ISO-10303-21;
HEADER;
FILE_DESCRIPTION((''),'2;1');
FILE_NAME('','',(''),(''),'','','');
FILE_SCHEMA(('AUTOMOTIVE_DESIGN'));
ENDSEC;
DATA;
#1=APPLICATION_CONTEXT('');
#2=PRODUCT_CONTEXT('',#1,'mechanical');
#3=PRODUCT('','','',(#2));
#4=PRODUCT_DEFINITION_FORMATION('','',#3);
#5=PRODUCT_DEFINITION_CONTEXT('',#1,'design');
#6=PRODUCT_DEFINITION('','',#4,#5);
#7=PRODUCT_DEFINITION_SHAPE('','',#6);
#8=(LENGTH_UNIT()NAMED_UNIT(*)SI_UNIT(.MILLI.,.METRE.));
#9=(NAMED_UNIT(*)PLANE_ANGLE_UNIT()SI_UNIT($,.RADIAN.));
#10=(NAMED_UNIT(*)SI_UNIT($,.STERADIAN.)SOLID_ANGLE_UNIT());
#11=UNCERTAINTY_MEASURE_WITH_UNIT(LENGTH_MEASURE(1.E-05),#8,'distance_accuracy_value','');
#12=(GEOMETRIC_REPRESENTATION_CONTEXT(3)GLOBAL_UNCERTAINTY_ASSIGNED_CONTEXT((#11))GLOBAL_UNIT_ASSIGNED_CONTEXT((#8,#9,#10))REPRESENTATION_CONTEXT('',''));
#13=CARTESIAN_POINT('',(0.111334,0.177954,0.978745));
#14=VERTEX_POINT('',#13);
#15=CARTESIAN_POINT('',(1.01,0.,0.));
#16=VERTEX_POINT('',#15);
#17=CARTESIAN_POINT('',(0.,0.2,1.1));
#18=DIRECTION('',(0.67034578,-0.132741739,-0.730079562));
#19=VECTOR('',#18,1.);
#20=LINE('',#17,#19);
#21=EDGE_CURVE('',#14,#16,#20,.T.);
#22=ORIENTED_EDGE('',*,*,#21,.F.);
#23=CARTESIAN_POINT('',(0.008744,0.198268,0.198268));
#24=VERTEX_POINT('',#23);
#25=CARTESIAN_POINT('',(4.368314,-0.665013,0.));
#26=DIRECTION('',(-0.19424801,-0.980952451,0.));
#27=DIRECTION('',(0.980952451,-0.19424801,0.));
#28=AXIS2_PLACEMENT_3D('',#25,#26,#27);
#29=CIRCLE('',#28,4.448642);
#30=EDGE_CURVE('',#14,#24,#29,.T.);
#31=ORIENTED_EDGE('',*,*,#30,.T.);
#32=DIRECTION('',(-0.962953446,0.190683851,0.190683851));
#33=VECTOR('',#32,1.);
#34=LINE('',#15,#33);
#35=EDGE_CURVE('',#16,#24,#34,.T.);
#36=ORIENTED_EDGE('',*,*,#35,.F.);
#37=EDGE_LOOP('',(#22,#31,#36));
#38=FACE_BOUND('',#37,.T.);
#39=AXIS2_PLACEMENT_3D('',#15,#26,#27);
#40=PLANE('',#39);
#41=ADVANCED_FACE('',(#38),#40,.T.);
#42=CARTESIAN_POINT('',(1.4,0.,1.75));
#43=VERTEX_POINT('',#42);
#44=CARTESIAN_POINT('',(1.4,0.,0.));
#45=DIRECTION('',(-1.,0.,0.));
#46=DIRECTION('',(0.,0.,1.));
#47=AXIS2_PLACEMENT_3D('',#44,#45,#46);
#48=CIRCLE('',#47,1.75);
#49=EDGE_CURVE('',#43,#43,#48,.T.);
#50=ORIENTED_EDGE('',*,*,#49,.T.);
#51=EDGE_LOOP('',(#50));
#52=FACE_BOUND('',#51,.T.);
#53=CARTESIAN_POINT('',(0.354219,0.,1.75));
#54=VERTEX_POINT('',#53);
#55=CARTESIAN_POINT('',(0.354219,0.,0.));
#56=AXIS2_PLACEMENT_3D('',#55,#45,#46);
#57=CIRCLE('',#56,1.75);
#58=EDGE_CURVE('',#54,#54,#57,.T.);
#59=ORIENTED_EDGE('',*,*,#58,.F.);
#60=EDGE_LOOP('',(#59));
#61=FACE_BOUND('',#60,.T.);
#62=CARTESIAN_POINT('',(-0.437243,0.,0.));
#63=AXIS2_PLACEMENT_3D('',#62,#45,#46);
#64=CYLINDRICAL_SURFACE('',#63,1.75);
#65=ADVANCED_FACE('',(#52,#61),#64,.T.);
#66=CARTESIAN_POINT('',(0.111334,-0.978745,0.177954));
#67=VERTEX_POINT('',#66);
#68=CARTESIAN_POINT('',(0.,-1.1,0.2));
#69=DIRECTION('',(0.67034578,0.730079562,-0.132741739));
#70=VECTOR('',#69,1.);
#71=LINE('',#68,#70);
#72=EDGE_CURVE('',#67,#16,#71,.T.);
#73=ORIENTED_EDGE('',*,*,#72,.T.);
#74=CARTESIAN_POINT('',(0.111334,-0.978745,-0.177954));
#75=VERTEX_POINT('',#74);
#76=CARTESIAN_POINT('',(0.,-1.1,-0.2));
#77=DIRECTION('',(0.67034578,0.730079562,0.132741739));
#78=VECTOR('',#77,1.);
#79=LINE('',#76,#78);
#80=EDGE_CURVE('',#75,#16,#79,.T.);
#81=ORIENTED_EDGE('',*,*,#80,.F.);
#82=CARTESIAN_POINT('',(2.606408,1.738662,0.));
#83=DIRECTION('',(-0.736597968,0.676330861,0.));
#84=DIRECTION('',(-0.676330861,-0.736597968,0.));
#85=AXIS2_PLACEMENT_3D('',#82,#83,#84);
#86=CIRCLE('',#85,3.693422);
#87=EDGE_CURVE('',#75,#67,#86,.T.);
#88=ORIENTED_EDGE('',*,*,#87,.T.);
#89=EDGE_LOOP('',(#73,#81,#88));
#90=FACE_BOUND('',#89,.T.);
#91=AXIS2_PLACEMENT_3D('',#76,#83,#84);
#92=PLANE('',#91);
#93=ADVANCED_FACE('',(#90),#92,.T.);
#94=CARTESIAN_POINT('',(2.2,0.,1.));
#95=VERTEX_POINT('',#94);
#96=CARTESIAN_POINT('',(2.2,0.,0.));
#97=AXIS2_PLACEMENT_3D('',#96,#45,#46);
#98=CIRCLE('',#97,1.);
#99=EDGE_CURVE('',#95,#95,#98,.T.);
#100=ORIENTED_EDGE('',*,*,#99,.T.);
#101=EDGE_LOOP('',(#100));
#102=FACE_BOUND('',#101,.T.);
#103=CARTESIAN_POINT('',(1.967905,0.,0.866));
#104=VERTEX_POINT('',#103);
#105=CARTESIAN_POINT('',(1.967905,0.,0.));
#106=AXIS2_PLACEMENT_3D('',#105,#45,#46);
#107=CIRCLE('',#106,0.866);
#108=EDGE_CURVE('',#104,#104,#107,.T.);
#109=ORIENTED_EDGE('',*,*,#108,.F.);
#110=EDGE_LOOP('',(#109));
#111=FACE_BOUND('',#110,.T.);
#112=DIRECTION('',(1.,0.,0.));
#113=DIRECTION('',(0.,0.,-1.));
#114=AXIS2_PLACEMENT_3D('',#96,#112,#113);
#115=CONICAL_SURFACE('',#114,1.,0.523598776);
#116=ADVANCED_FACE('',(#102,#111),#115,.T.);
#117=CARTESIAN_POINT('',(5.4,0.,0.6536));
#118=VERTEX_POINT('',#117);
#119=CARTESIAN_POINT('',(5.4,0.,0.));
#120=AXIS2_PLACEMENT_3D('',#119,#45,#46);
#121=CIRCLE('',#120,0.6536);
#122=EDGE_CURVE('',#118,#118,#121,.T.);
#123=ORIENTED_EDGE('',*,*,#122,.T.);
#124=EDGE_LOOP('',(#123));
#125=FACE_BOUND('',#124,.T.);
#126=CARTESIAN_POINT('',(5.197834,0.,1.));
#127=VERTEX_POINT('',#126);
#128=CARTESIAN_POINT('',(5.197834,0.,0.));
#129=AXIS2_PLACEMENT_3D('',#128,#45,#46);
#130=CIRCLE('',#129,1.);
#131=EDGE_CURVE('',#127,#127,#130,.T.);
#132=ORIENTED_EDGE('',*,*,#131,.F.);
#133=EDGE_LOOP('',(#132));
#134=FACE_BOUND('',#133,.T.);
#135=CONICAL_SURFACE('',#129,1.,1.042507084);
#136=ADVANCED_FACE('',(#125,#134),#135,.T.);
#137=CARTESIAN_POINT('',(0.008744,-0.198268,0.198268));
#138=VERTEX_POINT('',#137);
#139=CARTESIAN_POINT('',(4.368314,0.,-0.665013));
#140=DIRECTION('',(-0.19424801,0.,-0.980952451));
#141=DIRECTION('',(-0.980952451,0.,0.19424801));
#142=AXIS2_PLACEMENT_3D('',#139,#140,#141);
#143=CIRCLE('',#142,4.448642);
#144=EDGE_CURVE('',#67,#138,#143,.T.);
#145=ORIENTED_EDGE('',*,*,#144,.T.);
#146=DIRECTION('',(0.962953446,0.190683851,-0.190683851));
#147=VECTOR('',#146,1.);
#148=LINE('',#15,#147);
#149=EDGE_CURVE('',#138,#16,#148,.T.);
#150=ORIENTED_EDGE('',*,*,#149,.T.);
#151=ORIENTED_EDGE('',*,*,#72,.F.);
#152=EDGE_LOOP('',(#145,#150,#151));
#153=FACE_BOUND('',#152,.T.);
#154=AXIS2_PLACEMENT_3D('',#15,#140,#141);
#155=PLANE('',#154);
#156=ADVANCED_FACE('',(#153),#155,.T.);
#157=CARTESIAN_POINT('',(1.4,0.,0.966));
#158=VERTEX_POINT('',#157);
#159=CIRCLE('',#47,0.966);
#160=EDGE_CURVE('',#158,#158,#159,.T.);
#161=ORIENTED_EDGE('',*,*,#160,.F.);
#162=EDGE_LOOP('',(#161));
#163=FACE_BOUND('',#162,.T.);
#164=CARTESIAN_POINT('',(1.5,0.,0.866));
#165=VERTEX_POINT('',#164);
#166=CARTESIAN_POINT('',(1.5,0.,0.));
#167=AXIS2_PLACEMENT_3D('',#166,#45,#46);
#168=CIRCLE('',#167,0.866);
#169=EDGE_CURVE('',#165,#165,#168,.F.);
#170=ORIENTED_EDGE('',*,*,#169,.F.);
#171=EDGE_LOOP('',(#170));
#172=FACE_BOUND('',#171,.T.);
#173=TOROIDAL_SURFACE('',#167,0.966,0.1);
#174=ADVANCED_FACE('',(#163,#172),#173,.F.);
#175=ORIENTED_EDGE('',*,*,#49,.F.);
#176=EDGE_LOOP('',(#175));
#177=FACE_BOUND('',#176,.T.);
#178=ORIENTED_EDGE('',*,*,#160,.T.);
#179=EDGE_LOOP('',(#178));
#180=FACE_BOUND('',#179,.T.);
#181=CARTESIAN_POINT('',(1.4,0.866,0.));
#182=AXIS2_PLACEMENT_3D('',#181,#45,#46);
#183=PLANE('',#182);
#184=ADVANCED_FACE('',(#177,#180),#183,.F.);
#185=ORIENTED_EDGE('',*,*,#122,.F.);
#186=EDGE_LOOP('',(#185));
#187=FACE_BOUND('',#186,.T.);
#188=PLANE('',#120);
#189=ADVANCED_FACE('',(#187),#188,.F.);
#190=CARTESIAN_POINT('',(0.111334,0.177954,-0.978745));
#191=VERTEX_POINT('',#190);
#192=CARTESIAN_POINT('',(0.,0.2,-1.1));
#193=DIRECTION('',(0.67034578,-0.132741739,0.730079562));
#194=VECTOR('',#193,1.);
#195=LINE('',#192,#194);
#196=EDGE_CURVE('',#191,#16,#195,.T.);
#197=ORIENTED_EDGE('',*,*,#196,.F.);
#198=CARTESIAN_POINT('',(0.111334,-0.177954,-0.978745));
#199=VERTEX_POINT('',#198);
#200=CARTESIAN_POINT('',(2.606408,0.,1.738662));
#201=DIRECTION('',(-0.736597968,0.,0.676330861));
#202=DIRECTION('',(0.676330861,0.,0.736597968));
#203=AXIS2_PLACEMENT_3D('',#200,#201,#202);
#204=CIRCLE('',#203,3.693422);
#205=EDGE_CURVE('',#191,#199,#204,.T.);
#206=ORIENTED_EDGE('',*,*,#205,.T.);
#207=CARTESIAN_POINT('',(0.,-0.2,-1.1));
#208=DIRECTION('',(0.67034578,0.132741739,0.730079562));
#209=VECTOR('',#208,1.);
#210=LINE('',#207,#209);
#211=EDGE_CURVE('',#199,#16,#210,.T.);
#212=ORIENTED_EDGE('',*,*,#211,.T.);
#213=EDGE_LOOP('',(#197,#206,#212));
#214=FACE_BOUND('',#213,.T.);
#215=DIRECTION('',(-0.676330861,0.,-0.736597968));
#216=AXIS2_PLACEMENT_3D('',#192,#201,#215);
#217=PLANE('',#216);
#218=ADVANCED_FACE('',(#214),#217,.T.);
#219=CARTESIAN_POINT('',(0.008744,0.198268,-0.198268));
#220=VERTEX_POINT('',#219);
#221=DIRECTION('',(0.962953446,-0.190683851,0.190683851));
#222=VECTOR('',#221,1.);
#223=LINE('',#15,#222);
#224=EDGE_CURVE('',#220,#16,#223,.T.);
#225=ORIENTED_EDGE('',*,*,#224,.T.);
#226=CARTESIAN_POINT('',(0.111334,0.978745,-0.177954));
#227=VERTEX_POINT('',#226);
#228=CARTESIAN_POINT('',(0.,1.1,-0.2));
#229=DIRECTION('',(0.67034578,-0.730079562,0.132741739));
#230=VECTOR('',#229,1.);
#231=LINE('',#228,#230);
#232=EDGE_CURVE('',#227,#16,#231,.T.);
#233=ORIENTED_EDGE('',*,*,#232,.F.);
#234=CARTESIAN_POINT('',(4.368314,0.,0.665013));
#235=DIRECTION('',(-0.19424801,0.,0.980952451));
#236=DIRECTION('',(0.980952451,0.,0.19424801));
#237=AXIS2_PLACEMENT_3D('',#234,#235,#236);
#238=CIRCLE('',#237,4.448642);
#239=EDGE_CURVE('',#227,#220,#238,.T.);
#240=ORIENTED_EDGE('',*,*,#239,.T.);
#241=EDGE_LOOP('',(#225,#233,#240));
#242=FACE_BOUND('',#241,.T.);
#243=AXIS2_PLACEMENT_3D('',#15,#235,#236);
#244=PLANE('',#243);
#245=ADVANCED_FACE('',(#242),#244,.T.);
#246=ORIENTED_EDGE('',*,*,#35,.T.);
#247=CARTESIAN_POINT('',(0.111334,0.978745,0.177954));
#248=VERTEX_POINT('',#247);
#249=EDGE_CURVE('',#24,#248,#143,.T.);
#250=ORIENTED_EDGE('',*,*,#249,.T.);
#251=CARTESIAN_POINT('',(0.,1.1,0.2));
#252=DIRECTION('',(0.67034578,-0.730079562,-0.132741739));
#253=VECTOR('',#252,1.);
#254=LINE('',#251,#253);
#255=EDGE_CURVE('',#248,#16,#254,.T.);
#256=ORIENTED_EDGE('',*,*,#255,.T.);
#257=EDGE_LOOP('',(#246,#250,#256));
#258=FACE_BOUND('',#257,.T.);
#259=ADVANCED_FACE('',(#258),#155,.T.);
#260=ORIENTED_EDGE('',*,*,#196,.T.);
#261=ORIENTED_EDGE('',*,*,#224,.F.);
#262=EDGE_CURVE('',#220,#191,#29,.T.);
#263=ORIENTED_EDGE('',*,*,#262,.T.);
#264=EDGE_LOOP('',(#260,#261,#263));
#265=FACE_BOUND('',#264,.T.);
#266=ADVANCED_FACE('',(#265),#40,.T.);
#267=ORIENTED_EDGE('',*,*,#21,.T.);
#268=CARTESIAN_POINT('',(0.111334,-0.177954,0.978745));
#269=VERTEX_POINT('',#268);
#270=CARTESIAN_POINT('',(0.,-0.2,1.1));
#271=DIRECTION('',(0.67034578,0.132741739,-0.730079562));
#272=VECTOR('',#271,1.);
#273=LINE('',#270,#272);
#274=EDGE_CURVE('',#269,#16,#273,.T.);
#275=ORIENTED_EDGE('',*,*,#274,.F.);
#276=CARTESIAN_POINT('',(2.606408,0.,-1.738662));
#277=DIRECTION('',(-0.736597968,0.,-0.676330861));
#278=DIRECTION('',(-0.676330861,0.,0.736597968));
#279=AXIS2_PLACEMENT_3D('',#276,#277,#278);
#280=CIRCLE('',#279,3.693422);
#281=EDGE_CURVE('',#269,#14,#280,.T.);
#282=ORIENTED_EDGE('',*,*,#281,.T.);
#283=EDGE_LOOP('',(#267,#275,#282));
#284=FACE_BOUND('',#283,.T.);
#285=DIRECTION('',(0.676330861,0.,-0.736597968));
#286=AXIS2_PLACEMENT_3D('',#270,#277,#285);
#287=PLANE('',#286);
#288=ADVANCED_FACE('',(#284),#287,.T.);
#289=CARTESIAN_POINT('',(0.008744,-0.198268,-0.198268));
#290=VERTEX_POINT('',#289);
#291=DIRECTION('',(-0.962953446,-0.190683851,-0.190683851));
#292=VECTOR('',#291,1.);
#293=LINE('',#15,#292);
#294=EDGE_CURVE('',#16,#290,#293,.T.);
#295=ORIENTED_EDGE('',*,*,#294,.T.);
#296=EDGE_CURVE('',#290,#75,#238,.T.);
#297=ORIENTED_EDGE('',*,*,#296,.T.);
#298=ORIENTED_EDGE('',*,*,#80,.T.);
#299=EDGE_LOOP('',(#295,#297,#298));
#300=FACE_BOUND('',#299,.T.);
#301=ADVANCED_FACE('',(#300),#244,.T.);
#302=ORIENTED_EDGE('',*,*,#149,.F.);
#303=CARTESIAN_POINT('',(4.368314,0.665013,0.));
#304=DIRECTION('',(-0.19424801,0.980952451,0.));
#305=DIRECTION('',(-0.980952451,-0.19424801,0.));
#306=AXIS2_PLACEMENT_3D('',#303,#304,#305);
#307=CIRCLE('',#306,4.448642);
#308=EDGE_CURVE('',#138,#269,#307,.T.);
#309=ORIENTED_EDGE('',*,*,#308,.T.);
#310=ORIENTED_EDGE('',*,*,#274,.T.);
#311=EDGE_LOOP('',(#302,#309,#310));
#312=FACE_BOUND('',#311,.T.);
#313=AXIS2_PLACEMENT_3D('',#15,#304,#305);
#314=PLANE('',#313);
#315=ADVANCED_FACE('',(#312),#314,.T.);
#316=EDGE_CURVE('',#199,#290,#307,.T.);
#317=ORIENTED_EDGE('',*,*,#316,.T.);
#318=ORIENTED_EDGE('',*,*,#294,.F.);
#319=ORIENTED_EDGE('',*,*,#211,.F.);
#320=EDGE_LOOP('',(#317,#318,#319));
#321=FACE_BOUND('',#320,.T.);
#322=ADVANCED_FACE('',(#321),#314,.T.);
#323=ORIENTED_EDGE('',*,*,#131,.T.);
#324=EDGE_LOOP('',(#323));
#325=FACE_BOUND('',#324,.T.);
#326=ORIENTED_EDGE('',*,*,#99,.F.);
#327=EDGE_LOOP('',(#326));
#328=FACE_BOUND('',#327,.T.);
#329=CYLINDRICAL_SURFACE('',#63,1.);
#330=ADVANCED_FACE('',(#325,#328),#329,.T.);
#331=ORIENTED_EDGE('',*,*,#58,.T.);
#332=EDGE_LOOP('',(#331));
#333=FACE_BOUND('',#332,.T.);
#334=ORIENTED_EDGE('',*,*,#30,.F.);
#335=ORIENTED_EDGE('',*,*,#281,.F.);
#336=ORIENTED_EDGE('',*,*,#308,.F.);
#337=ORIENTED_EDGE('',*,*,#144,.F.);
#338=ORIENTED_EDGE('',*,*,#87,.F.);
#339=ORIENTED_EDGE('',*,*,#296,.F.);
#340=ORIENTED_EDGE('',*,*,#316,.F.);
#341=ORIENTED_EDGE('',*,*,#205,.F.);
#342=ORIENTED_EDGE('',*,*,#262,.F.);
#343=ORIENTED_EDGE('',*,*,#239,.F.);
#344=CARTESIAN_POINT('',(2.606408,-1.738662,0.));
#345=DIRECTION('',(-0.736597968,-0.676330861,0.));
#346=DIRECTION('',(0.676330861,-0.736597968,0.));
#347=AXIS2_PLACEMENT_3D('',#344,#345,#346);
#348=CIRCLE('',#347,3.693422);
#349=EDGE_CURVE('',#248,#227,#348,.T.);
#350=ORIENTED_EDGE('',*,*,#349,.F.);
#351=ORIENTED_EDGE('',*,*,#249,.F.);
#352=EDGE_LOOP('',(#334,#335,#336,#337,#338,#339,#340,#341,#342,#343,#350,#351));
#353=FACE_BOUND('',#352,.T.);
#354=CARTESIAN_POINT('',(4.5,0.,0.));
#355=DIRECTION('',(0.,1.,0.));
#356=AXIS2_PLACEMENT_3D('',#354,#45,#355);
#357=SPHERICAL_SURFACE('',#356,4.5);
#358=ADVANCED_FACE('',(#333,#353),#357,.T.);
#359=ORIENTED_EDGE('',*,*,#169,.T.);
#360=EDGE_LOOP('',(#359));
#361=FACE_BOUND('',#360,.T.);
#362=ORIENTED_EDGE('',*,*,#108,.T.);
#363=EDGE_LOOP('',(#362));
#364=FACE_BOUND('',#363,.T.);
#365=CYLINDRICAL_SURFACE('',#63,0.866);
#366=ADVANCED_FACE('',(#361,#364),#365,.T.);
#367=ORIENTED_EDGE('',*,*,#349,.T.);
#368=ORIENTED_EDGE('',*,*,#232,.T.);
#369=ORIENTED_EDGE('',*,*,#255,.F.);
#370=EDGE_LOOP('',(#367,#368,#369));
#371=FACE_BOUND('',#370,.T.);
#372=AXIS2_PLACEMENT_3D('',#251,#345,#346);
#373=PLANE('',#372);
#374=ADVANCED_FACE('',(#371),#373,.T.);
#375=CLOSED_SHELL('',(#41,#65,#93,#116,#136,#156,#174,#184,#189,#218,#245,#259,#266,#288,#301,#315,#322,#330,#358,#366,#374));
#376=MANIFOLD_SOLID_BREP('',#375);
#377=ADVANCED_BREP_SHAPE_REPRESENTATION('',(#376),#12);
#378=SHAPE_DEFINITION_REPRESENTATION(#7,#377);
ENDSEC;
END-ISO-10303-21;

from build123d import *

# Parameters (mm, degrees)
FILLET_1_R               = 0.1
PATTERN_CIRCULAR_1_COUNT = 2
PATTERN_CIRCULAR_1_ANGLE = 90


with BuildPart() as part:
    # 草图1 → Revolve 816 (revolve)
    with BuildSketch(Plane.XY, mode=Mode.PRIVATE) as revolve_816_sk:
        with BuildLine():
            Line((0, 0), (5.4, 0))
            Line((5.4, 0), (5.4, 1))
            Line((5.4, 1), (2.2, 1))
            Line((2.2, 1), (1.967905192, 0.866))
            Line((1.967905192, 0.866), (1.4, 0.866))
            Line((1.4, 0.866), (1.4, 1.75))
            Line((1.4, 1.75), (0.354219012, 1.75))
            ThreePointArc((0.354219012, 1.75), (0.089443661, 0.89274452), (0, 0))
        make_face()
    revolve(revolve_816_sk.sketch.rotate(Axis((-0.437242634, 0, 0), (1, 0, 0)), 90), axis=Axis((-0.437242634, 0, 0), (1, 0, 0)))

    # 圆角1
    fillet_1_edges = [part.edges().sort_by_distance(p)[0] for p in [
        (1.4, 0, -0.866),
    ]]
    fillet(fillet_1_edges, radius=FILLET_1_R)

    # 草图2 → 切除-放样1 section 0
    with BuildSketch(Plane(origin=(0, 0, 0), x_dir=(0, 0, -1), z_dir=(1, 0, 0)), mode=Mode.PRIVATE) as loft_1_s0:
        with BuildLine():
            Line((0.2, 1.1), (-0.2, 1.1))
            Line((-0.2, 1.1), (-0.2, -1.1))
            Line((-0.2, -1.1), (0.2, -1.1))
            Line((0.2, -1.1), (0.2, 1.1))
        make_face()
    loft_1 = loft([loft_1_s0.sketch, Vertex(1.01, 0, 0)], mode=Mode.SUBTRACT)

    # 阵列(圆周)1: 切除-放样1 ×2 about axis
    pattern_circular_1_axis = Axis((0, 0, 0), (1, 0, 0))
    for i in range(1, PATTERN_CIRCULAR_1_COUNT):
        add(loft_1.rotate(pattern_circular_1_axis, i * PATTERN_CIRCULAR_1_ANGLE / (PATTERN_CIRCULAR_1_COUNT - 1)), mode=Mode.SUBTRACT)

    # 草图4 → 切除-旋转1 (revolve, cut)
    with BuildSketch(Plane.XY, mode=Mode.PRIVATE) as cut_revolve_1_sk:
        Polygon((5.197833598, 1), (5.597833598, 1), (5.4, 0.6536), align=None)
    revolve(cut_revolve_1_sk.sketch.rotate(Axis((4.77468063, 0, 0), (1, 0, 0)), 90), axis=Axis((4.77468063, 0, 0), (1, 0, 0)), mode=Mode.SUBTRACT)


solid = part.part
